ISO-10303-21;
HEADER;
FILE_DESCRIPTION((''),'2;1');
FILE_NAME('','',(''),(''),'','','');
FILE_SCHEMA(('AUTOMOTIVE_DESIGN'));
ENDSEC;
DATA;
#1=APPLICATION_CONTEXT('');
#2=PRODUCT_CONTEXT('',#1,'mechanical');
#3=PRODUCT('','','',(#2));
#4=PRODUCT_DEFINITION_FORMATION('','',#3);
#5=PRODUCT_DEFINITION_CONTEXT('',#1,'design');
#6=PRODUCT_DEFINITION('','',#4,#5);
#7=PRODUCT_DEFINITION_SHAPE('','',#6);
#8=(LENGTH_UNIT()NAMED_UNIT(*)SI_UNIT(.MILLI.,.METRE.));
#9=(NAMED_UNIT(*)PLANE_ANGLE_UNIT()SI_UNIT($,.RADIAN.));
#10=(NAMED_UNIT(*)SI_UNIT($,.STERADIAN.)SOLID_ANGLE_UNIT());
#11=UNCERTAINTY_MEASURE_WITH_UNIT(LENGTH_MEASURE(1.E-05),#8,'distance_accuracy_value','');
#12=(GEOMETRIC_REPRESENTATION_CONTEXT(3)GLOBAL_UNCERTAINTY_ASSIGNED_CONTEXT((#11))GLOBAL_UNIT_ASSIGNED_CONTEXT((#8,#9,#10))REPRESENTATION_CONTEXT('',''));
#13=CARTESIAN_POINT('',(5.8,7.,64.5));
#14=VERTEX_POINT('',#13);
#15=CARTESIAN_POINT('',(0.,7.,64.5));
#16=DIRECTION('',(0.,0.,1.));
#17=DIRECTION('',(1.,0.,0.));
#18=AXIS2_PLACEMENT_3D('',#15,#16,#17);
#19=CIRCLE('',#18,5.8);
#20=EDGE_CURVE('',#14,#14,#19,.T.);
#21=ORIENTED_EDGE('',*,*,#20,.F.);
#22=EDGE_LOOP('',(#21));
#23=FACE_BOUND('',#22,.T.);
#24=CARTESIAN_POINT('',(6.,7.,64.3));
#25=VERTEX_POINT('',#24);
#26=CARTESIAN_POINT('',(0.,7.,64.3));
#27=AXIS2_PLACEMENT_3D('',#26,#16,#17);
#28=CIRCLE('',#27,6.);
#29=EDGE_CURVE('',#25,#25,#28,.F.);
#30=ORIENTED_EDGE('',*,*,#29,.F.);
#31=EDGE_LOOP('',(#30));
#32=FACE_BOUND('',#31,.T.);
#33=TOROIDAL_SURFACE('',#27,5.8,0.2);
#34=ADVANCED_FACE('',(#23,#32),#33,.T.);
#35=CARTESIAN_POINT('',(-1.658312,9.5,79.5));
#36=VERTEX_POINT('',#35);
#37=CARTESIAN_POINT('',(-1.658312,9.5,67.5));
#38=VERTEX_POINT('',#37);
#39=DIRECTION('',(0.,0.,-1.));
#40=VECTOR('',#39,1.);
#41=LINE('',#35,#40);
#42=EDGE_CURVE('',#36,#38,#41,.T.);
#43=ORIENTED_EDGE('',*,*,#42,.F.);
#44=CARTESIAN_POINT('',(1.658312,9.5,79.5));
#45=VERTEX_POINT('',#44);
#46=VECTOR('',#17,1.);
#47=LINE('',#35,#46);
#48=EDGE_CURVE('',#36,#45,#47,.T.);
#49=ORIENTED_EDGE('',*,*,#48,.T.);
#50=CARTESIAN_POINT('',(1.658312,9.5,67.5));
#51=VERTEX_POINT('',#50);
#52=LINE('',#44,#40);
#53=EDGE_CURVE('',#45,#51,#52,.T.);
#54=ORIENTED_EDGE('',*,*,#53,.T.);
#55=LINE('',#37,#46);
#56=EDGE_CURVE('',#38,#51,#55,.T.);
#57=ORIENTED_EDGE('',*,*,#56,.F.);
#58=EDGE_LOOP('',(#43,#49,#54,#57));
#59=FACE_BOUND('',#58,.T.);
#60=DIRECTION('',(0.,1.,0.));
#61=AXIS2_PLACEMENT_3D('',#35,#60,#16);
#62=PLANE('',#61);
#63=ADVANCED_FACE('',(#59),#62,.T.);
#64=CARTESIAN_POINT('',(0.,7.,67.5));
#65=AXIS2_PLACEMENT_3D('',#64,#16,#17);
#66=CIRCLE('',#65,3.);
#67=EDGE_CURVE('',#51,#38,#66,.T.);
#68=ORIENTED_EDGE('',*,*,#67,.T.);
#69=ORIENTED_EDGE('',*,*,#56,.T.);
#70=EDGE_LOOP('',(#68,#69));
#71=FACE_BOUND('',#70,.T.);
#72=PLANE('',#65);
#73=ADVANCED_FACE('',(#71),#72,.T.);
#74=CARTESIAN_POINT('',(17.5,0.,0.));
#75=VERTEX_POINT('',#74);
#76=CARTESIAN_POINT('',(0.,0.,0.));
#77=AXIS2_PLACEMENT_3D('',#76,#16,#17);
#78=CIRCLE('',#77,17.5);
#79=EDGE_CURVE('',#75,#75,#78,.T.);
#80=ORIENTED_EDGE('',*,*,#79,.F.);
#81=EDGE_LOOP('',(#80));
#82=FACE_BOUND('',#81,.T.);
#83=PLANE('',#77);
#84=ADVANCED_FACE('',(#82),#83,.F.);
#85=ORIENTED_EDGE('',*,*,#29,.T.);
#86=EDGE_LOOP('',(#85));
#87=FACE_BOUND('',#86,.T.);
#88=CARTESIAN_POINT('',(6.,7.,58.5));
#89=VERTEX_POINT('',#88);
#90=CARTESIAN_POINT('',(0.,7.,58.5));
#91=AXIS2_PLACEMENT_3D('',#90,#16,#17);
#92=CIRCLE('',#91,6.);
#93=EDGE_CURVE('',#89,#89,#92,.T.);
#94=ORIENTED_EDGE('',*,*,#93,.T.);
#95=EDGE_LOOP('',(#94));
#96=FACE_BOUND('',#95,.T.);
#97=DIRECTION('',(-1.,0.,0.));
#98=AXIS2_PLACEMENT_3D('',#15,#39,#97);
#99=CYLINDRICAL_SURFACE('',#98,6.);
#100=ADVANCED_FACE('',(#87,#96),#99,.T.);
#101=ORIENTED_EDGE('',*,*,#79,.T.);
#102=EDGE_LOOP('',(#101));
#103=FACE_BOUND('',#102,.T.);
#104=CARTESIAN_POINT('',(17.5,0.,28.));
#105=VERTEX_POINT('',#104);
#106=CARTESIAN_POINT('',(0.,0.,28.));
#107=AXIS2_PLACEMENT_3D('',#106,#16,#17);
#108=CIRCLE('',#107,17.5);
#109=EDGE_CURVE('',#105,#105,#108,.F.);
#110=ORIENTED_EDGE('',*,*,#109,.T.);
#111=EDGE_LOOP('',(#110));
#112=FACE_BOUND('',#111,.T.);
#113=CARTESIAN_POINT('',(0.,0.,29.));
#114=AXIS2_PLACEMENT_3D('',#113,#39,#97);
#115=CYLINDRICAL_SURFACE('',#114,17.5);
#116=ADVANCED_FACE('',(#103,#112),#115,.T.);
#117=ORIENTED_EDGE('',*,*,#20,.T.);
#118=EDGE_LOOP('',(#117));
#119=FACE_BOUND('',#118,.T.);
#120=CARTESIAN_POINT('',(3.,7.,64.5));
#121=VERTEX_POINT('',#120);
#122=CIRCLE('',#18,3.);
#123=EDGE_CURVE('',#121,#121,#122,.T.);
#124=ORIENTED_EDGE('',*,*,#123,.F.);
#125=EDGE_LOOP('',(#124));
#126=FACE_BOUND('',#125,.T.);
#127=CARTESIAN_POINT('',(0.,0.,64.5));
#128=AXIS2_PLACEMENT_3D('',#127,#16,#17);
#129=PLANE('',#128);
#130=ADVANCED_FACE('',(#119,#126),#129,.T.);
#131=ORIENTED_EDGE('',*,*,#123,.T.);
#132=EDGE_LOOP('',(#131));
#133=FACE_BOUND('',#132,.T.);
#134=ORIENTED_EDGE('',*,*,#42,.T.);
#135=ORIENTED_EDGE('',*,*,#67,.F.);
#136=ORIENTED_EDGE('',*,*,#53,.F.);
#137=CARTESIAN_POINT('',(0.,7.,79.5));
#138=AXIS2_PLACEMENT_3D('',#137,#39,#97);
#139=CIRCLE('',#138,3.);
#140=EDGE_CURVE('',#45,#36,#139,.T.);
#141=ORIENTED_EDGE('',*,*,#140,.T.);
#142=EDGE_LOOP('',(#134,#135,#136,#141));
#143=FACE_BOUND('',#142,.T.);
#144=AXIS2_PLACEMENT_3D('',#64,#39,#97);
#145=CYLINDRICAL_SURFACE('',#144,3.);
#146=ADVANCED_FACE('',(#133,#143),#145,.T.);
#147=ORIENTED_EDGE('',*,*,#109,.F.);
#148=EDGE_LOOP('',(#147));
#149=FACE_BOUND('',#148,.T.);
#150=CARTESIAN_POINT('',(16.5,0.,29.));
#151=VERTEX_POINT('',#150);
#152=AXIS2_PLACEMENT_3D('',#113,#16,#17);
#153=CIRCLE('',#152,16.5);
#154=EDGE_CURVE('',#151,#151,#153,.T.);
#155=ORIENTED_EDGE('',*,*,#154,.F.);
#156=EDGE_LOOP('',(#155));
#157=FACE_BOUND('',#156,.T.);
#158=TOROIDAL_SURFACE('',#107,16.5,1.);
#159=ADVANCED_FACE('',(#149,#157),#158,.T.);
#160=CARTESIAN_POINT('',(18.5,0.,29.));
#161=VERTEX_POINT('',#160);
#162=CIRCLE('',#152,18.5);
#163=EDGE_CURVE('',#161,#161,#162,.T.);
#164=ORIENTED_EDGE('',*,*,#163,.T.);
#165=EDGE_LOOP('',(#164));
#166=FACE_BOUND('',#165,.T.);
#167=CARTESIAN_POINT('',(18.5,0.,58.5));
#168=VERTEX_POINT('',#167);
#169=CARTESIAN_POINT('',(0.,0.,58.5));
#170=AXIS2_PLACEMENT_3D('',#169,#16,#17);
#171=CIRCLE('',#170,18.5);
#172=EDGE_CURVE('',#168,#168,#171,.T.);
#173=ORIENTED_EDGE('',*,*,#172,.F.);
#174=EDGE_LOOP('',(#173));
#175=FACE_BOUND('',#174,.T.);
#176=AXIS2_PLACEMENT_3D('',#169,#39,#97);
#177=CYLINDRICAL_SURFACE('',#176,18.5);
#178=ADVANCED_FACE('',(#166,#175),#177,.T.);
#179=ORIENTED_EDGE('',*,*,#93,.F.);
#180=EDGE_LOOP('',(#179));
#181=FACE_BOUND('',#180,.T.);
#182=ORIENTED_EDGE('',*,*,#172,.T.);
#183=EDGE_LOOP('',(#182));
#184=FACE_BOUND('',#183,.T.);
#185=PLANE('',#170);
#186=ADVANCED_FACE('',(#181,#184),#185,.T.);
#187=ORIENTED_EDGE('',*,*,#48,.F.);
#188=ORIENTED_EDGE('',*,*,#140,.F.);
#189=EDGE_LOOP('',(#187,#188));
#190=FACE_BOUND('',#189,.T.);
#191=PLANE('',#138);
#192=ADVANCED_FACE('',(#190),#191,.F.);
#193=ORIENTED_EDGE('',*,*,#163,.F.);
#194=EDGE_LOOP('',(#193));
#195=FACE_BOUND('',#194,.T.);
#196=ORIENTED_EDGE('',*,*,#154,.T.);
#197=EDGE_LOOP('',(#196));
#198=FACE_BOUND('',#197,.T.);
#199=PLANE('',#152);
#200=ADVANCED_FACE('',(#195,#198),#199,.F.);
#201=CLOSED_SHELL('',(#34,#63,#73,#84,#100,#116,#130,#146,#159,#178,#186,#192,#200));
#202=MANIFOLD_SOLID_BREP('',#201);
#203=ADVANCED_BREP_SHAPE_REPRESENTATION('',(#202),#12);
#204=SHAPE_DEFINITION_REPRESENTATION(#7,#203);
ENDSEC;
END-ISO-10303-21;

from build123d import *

# Parameters (mm, degrees)
SKETCH2_R           = 17.5
BOSS_EXTRUDE2_DEPTH = 29
FILLET2_R           = 1
SKETCH3_R           = 18.5
BOSS_EXTRUDE3_DEPTH = 29.5
SKETCH4_R           = 6
BOSS_EXTRUDE4_DEPTH = 6
FILLET6_R           = 0.2
SKETCH5_R           = 3
BOSS_EXTRUDE5_DEPTH = 3
BOSS_EXTRUDE6_DEPTH = 12


with BuildPart() as part:
    # Sketch2 → Boss-Extrude2 (new body)
    with BuildSketch(Plane.XY):
        Circle(SKETCH2_R)
    extrude(amount=BOSS_EXTRUDE2_DEPTH)

    # Fillet2
    fillet2_edges = [part.edges().sort_by_distance(p)[0] for p in [
        (-17.5, 0, 29),
    ]]
    fillet(fillet2_edges, radius=FILLET2_R)

    # Sketch3 → Boss-Extrude3 (add)
    with BuildSketch(Plane.XY.offset(29)):
        Circle(SKETCH3_R)
    extrude(amount=BOSS_EXTRUDE3_DEPTH)

    # Sketch4 → Boss-Extrude4 (add)
    with BuildSketch(Plane.XY.offset(58.5)):
        with Locations((0, 7)):
            Circle(SKETCH4_R)
    extrude(amount=BOSS_EXTRUDE4_DEPTH)

    # Fillet6
    fillet6_edges = [part.edges().sort_by_distance(p)[0] for p in [
        (-6, 7, 64.5),
    ]]
    fillet(fillet6_edges, radius=FILLET6_R)

    # Sketch5 → Boss-Extrude5 (add)
    with BuildSketch(Plane.XY.offset(64.5)):
        with Locations((0, 7)):
            Circle(SKETCH5_R)
    extrude(amount=BOSS_EXTRUDE5_DEPTH)

    # Sketch6 → Boss-Extrude6 (add)
    with BuildSketch(Plane.XY.offset(67.5)):
        with BuildLine():
            Line((-1.658312395, 9.5), (1.658312395, 9.5))
            ThreePointArc((1.658312395, 9.5), (0, 4), (-1.658312395, 9.5))
        make_face()
    extrude(amount=BOSS_EXTRUDE6_DEPTH)


solid = part.part
